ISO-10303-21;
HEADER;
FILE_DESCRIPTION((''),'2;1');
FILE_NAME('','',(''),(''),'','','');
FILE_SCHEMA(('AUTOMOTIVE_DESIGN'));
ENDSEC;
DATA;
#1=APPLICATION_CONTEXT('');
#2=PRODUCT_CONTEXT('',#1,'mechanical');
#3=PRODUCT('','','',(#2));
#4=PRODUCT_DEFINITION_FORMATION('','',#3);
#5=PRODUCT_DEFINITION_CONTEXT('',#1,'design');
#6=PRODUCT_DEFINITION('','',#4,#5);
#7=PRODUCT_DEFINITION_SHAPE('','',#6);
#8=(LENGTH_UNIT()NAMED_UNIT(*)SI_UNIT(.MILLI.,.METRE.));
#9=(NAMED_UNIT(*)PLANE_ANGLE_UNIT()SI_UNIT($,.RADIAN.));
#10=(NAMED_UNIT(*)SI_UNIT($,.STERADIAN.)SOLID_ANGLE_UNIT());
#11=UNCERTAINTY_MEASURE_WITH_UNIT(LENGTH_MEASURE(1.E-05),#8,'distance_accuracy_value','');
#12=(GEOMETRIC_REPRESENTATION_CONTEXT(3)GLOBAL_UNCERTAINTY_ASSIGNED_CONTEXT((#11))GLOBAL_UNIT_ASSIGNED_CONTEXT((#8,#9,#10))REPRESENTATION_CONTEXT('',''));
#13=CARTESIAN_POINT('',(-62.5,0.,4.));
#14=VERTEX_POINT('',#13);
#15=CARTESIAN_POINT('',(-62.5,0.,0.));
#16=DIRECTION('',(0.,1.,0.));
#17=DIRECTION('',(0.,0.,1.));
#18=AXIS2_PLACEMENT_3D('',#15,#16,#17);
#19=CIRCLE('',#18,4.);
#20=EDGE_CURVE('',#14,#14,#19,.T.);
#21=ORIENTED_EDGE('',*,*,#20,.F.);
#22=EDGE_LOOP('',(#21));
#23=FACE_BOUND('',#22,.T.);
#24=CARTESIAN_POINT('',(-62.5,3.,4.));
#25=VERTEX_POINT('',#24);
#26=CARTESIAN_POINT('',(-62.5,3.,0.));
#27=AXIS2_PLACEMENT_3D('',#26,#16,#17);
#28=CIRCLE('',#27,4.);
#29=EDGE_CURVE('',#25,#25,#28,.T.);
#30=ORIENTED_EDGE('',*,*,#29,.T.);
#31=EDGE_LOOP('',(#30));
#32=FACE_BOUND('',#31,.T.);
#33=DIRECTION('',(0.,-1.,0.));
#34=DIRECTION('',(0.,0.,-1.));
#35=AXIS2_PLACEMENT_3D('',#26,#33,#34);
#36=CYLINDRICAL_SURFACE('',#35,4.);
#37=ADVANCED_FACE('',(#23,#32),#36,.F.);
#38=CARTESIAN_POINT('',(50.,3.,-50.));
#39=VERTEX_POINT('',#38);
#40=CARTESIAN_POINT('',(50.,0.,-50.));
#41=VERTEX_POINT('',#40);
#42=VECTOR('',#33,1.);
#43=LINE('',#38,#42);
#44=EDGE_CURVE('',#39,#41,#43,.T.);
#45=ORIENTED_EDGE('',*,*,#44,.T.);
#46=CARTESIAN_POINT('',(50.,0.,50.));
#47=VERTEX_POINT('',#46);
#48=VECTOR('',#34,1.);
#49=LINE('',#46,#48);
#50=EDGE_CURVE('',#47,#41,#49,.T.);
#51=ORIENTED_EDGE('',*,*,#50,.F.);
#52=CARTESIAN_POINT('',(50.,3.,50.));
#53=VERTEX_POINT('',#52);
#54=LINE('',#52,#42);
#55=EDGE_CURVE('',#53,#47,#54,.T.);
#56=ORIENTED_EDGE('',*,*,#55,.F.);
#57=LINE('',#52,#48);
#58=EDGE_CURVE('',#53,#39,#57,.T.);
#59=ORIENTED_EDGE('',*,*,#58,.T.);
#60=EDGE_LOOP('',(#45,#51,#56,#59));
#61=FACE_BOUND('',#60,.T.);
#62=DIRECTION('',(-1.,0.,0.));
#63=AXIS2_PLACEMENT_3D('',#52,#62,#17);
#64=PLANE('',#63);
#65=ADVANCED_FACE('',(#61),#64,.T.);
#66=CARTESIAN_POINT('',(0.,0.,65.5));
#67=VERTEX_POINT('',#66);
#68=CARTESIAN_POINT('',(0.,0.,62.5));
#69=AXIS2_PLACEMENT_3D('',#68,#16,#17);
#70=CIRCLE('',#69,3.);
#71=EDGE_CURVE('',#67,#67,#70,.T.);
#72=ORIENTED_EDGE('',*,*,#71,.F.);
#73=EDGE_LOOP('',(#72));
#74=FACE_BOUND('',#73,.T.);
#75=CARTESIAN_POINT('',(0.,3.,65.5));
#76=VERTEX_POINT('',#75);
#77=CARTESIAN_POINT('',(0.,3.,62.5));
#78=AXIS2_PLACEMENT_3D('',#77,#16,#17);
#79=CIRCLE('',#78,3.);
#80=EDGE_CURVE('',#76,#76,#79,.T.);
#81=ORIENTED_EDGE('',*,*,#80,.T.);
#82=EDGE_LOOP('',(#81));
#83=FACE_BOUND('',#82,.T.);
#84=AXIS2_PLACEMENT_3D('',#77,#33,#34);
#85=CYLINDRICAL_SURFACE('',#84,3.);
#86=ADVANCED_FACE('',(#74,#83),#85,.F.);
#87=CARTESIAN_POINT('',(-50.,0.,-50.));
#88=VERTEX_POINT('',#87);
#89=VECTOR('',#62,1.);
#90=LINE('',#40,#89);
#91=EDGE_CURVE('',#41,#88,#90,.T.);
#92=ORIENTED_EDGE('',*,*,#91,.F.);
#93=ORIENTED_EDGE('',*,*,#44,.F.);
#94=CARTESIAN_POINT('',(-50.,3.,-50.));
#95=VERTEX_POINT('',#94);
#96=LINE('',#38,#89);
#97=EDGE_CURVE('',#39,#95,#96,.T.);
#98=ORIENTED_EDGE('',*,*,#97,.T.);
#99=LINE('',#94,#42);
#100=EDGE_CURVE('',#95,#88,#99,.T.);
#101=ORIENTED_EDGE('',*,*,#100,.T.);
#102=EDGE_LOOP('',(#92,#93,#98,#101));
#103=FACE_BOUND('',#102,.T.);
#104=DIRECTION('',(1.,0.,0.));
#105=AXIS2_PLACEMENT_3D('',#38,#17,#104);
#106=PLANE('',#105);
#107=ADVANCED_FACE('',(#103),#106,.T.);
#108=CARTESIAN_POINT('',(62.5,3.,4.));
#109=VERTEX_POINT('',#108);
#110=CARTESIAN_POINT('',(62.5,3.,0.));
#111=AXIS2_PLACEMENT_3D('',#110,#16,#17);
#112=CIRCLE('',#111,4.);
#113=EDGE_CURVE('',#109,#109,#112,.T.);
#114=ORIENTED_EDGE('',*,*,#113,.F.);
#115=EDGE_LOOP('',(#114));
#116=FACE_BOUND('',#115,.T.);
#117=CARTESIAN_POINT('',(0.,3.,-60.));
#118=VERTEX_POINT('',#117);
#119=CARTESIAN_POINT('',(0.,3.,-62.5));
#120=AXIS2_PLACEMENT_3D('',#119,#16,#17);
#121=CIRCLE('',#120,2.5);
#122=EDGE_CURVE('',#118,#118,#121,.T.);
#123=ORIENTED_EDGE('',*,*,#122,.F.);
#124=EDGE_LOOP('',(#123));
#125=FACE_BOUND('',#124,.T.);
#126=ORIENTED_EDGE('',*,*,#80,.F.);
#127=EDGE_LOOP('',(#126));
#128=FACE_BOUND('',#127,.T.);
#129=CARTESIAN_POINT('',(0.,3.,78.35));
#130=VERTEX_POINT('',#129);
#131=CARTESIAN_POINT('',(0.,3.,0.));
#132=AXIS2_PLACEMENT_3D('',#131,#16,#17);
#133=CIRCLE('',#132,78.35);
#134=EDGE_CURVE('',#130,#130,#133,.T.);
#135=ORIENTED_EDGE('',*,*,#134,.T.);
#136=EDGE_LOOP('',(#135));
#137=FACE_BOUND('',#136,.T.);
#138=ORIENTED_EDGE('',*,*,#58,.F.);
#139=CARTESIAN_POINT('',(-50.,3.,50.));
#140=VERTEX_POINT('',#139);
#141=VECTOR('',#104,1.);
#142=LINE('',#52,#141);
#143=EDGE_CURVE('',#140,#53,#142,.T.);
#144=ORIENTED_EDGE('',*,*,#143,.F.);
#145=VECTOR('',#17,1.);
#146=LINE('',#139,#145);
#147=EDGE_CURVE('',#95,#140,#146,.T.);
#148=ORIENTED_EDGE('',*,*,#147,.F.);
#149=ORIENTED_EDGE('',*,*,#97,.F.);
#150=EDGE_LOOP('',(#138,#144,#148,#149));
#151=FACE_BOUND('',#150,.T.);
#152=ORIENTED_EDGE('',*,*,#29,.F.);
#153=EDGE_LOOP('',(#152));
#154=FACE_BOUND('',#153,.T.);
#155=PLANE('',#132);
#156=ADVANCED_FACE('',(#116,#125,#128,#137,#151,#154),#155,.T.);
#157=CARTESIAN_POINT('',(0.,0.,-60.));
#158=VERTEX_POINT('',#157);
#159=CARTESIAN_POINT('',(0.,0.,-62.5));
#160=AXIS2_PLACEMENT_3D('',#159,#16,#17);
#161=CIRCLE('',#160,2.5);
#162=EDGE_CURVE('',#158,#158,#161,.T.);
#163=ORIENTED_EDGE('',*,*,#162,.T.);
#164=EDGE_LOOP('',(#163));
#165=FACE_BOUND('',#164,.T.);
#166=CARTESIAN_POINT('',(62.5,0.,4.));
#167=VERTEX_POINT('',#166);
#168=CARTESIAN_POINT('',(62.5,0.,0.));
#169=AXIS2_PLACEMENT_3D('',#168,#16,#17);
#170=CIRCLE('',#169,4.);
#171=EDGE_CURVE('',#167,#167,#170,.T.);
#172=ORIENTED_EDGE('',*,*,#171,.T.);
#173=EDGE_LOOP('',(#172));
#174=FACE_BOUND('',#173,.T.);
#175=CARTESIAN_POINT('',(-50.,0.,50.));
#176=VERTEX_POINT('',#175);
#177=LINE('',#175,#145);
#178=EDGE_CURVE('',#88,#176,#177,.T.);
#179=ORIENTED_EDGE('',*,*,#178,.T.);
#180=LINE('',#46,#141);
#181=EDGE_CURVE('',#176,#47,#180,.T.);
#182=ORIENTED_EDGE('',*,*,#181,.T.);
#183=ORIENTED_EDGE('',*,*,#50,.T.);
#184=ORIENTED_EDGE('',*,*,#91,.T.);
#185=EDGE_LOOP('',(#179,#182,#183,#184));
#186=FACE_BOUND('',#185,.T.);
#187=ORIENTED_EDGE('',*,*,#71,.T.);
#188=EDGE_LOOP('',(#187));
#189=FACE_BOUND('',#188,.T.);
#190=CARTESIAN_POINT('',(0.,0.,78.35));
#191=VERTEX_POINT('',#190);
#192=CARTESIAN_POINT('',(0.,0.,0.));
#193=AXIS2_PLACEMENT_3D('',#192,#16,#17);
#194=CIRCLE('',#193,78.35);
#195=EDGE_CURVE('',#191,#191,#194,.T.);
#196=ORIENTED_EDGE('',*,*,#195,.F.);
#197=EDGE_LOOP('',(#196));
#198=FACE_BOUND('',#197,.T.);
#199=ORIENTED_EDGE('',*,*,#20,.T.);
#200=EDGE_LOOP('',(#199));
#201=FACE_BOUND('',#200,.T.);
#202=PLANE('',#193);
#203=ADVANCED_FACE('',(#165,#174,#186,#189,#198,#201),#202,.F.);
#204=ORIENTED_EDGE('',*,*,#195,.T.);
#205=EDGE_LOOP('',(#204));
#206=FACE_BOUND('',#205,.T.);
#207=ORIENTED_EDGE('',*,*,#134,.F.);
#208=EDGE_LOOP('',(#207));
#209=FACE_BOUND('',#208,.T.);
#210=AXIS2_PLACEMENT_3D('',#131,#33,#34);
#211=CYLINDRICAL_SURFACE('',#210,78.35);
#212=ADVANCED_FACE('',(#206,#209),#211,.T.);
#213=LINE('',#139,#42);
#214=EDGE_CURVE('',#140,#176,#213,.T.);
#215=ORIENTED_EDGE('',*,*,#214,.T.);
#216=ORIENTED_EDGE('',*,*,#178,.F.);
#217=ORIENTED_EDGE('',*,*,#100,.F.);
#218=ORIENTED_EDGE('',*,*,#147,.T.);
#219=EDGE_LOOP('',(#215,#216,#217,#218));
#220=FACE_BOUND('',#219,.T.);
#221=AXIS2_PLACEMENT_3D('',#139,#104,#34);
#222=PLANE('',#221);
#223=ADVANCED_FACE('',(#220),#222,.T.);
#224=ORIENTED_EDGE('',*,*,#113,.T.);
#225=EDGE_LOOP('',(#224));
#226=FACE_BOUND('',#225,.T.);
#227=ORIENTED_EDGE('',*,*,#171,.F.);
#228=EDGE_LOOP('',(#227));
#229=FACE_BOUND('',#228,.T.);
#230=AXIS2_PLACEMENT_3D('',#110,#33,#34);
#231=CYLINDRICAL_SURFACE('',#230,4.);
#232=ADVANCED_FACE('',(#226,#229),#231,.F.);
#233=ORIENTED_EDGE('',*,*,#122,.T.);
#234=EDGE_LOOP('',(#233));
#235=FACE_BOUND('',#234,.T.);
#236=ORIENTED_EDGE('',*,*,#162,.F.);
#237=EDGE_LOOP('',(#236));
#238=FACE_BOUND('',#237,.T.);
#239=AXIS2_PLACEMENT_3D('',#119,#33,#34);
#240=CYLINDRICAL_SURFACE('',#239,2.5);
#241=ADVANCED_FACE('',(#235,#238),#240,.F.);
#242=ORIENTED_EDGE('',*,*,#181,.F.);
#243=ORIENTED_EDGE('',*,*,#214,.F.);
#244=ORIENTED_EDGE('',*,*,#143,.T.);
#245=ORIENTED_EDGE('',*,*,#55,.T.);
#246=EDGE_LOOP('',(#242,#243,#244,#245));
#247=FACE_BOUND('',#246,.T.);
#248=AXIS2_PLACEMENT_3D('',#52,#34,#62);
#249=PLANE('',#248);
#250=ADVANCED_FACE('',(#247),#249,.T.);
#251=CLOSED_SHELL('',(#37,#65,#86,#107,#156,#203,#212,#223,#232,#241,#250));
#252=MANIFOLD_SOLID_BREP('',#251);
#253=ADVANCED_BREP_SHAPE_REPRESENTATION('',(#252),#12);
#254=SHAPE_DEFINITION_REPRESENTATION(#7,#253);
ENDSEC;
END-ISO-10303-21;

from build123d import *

# Parameters (mm, degrees)
SKETCH1_R           = 78.35
SKETCH1_R_2         = 4
SKETCH1_R_3         = 3
SKETCH1_R_4         = 2.5
SKETCH1_W           = 100
SKETCH1_H           = 100
BOSS_EXTRUDE1_DEPTH = 3


with BuildPart() as part:
    # Sketch1 → Boss-Extrude1 (new body)
    with BuildSketch(Plane(origin=(0, 0, 0), x_dir=(1, 0, 0), z_dir=(0, 1, 0))):
        with Locations(Location((0, 0, 0), (0, 0, 270))):
            Circle(SKETCH1_R)
        with Locations(Location((-62.5, 0, 0), (0, 0, 270))):
            Circle(SKETCH1_R_2, mode=Mode.SUBTRACT)
        with Locations(Location((0, -62.5, 0), (0, 0, 270))):
            Circle(SKETCH1_R_3, mode=Mode.SUBTRACT)
        with Locations(Location((0, 62.5, 0), (0, 0, 270))):
            Circle(SKETCH1_R_4, mode=Mode.SUBTRACT)
        with Locations(Location((62.5, 0, 0), (0, 0, 270))):
            Circle(SKETCH1_R_2, mode=Mode.SUBTRACT)
        Rectangle(SKETCH1_W, SKETCH1_H, mode=Mode.SUBTRACT)
    extrude(amount=BOSS_EXTRUDE1_DEPTH)


solid = part.part
